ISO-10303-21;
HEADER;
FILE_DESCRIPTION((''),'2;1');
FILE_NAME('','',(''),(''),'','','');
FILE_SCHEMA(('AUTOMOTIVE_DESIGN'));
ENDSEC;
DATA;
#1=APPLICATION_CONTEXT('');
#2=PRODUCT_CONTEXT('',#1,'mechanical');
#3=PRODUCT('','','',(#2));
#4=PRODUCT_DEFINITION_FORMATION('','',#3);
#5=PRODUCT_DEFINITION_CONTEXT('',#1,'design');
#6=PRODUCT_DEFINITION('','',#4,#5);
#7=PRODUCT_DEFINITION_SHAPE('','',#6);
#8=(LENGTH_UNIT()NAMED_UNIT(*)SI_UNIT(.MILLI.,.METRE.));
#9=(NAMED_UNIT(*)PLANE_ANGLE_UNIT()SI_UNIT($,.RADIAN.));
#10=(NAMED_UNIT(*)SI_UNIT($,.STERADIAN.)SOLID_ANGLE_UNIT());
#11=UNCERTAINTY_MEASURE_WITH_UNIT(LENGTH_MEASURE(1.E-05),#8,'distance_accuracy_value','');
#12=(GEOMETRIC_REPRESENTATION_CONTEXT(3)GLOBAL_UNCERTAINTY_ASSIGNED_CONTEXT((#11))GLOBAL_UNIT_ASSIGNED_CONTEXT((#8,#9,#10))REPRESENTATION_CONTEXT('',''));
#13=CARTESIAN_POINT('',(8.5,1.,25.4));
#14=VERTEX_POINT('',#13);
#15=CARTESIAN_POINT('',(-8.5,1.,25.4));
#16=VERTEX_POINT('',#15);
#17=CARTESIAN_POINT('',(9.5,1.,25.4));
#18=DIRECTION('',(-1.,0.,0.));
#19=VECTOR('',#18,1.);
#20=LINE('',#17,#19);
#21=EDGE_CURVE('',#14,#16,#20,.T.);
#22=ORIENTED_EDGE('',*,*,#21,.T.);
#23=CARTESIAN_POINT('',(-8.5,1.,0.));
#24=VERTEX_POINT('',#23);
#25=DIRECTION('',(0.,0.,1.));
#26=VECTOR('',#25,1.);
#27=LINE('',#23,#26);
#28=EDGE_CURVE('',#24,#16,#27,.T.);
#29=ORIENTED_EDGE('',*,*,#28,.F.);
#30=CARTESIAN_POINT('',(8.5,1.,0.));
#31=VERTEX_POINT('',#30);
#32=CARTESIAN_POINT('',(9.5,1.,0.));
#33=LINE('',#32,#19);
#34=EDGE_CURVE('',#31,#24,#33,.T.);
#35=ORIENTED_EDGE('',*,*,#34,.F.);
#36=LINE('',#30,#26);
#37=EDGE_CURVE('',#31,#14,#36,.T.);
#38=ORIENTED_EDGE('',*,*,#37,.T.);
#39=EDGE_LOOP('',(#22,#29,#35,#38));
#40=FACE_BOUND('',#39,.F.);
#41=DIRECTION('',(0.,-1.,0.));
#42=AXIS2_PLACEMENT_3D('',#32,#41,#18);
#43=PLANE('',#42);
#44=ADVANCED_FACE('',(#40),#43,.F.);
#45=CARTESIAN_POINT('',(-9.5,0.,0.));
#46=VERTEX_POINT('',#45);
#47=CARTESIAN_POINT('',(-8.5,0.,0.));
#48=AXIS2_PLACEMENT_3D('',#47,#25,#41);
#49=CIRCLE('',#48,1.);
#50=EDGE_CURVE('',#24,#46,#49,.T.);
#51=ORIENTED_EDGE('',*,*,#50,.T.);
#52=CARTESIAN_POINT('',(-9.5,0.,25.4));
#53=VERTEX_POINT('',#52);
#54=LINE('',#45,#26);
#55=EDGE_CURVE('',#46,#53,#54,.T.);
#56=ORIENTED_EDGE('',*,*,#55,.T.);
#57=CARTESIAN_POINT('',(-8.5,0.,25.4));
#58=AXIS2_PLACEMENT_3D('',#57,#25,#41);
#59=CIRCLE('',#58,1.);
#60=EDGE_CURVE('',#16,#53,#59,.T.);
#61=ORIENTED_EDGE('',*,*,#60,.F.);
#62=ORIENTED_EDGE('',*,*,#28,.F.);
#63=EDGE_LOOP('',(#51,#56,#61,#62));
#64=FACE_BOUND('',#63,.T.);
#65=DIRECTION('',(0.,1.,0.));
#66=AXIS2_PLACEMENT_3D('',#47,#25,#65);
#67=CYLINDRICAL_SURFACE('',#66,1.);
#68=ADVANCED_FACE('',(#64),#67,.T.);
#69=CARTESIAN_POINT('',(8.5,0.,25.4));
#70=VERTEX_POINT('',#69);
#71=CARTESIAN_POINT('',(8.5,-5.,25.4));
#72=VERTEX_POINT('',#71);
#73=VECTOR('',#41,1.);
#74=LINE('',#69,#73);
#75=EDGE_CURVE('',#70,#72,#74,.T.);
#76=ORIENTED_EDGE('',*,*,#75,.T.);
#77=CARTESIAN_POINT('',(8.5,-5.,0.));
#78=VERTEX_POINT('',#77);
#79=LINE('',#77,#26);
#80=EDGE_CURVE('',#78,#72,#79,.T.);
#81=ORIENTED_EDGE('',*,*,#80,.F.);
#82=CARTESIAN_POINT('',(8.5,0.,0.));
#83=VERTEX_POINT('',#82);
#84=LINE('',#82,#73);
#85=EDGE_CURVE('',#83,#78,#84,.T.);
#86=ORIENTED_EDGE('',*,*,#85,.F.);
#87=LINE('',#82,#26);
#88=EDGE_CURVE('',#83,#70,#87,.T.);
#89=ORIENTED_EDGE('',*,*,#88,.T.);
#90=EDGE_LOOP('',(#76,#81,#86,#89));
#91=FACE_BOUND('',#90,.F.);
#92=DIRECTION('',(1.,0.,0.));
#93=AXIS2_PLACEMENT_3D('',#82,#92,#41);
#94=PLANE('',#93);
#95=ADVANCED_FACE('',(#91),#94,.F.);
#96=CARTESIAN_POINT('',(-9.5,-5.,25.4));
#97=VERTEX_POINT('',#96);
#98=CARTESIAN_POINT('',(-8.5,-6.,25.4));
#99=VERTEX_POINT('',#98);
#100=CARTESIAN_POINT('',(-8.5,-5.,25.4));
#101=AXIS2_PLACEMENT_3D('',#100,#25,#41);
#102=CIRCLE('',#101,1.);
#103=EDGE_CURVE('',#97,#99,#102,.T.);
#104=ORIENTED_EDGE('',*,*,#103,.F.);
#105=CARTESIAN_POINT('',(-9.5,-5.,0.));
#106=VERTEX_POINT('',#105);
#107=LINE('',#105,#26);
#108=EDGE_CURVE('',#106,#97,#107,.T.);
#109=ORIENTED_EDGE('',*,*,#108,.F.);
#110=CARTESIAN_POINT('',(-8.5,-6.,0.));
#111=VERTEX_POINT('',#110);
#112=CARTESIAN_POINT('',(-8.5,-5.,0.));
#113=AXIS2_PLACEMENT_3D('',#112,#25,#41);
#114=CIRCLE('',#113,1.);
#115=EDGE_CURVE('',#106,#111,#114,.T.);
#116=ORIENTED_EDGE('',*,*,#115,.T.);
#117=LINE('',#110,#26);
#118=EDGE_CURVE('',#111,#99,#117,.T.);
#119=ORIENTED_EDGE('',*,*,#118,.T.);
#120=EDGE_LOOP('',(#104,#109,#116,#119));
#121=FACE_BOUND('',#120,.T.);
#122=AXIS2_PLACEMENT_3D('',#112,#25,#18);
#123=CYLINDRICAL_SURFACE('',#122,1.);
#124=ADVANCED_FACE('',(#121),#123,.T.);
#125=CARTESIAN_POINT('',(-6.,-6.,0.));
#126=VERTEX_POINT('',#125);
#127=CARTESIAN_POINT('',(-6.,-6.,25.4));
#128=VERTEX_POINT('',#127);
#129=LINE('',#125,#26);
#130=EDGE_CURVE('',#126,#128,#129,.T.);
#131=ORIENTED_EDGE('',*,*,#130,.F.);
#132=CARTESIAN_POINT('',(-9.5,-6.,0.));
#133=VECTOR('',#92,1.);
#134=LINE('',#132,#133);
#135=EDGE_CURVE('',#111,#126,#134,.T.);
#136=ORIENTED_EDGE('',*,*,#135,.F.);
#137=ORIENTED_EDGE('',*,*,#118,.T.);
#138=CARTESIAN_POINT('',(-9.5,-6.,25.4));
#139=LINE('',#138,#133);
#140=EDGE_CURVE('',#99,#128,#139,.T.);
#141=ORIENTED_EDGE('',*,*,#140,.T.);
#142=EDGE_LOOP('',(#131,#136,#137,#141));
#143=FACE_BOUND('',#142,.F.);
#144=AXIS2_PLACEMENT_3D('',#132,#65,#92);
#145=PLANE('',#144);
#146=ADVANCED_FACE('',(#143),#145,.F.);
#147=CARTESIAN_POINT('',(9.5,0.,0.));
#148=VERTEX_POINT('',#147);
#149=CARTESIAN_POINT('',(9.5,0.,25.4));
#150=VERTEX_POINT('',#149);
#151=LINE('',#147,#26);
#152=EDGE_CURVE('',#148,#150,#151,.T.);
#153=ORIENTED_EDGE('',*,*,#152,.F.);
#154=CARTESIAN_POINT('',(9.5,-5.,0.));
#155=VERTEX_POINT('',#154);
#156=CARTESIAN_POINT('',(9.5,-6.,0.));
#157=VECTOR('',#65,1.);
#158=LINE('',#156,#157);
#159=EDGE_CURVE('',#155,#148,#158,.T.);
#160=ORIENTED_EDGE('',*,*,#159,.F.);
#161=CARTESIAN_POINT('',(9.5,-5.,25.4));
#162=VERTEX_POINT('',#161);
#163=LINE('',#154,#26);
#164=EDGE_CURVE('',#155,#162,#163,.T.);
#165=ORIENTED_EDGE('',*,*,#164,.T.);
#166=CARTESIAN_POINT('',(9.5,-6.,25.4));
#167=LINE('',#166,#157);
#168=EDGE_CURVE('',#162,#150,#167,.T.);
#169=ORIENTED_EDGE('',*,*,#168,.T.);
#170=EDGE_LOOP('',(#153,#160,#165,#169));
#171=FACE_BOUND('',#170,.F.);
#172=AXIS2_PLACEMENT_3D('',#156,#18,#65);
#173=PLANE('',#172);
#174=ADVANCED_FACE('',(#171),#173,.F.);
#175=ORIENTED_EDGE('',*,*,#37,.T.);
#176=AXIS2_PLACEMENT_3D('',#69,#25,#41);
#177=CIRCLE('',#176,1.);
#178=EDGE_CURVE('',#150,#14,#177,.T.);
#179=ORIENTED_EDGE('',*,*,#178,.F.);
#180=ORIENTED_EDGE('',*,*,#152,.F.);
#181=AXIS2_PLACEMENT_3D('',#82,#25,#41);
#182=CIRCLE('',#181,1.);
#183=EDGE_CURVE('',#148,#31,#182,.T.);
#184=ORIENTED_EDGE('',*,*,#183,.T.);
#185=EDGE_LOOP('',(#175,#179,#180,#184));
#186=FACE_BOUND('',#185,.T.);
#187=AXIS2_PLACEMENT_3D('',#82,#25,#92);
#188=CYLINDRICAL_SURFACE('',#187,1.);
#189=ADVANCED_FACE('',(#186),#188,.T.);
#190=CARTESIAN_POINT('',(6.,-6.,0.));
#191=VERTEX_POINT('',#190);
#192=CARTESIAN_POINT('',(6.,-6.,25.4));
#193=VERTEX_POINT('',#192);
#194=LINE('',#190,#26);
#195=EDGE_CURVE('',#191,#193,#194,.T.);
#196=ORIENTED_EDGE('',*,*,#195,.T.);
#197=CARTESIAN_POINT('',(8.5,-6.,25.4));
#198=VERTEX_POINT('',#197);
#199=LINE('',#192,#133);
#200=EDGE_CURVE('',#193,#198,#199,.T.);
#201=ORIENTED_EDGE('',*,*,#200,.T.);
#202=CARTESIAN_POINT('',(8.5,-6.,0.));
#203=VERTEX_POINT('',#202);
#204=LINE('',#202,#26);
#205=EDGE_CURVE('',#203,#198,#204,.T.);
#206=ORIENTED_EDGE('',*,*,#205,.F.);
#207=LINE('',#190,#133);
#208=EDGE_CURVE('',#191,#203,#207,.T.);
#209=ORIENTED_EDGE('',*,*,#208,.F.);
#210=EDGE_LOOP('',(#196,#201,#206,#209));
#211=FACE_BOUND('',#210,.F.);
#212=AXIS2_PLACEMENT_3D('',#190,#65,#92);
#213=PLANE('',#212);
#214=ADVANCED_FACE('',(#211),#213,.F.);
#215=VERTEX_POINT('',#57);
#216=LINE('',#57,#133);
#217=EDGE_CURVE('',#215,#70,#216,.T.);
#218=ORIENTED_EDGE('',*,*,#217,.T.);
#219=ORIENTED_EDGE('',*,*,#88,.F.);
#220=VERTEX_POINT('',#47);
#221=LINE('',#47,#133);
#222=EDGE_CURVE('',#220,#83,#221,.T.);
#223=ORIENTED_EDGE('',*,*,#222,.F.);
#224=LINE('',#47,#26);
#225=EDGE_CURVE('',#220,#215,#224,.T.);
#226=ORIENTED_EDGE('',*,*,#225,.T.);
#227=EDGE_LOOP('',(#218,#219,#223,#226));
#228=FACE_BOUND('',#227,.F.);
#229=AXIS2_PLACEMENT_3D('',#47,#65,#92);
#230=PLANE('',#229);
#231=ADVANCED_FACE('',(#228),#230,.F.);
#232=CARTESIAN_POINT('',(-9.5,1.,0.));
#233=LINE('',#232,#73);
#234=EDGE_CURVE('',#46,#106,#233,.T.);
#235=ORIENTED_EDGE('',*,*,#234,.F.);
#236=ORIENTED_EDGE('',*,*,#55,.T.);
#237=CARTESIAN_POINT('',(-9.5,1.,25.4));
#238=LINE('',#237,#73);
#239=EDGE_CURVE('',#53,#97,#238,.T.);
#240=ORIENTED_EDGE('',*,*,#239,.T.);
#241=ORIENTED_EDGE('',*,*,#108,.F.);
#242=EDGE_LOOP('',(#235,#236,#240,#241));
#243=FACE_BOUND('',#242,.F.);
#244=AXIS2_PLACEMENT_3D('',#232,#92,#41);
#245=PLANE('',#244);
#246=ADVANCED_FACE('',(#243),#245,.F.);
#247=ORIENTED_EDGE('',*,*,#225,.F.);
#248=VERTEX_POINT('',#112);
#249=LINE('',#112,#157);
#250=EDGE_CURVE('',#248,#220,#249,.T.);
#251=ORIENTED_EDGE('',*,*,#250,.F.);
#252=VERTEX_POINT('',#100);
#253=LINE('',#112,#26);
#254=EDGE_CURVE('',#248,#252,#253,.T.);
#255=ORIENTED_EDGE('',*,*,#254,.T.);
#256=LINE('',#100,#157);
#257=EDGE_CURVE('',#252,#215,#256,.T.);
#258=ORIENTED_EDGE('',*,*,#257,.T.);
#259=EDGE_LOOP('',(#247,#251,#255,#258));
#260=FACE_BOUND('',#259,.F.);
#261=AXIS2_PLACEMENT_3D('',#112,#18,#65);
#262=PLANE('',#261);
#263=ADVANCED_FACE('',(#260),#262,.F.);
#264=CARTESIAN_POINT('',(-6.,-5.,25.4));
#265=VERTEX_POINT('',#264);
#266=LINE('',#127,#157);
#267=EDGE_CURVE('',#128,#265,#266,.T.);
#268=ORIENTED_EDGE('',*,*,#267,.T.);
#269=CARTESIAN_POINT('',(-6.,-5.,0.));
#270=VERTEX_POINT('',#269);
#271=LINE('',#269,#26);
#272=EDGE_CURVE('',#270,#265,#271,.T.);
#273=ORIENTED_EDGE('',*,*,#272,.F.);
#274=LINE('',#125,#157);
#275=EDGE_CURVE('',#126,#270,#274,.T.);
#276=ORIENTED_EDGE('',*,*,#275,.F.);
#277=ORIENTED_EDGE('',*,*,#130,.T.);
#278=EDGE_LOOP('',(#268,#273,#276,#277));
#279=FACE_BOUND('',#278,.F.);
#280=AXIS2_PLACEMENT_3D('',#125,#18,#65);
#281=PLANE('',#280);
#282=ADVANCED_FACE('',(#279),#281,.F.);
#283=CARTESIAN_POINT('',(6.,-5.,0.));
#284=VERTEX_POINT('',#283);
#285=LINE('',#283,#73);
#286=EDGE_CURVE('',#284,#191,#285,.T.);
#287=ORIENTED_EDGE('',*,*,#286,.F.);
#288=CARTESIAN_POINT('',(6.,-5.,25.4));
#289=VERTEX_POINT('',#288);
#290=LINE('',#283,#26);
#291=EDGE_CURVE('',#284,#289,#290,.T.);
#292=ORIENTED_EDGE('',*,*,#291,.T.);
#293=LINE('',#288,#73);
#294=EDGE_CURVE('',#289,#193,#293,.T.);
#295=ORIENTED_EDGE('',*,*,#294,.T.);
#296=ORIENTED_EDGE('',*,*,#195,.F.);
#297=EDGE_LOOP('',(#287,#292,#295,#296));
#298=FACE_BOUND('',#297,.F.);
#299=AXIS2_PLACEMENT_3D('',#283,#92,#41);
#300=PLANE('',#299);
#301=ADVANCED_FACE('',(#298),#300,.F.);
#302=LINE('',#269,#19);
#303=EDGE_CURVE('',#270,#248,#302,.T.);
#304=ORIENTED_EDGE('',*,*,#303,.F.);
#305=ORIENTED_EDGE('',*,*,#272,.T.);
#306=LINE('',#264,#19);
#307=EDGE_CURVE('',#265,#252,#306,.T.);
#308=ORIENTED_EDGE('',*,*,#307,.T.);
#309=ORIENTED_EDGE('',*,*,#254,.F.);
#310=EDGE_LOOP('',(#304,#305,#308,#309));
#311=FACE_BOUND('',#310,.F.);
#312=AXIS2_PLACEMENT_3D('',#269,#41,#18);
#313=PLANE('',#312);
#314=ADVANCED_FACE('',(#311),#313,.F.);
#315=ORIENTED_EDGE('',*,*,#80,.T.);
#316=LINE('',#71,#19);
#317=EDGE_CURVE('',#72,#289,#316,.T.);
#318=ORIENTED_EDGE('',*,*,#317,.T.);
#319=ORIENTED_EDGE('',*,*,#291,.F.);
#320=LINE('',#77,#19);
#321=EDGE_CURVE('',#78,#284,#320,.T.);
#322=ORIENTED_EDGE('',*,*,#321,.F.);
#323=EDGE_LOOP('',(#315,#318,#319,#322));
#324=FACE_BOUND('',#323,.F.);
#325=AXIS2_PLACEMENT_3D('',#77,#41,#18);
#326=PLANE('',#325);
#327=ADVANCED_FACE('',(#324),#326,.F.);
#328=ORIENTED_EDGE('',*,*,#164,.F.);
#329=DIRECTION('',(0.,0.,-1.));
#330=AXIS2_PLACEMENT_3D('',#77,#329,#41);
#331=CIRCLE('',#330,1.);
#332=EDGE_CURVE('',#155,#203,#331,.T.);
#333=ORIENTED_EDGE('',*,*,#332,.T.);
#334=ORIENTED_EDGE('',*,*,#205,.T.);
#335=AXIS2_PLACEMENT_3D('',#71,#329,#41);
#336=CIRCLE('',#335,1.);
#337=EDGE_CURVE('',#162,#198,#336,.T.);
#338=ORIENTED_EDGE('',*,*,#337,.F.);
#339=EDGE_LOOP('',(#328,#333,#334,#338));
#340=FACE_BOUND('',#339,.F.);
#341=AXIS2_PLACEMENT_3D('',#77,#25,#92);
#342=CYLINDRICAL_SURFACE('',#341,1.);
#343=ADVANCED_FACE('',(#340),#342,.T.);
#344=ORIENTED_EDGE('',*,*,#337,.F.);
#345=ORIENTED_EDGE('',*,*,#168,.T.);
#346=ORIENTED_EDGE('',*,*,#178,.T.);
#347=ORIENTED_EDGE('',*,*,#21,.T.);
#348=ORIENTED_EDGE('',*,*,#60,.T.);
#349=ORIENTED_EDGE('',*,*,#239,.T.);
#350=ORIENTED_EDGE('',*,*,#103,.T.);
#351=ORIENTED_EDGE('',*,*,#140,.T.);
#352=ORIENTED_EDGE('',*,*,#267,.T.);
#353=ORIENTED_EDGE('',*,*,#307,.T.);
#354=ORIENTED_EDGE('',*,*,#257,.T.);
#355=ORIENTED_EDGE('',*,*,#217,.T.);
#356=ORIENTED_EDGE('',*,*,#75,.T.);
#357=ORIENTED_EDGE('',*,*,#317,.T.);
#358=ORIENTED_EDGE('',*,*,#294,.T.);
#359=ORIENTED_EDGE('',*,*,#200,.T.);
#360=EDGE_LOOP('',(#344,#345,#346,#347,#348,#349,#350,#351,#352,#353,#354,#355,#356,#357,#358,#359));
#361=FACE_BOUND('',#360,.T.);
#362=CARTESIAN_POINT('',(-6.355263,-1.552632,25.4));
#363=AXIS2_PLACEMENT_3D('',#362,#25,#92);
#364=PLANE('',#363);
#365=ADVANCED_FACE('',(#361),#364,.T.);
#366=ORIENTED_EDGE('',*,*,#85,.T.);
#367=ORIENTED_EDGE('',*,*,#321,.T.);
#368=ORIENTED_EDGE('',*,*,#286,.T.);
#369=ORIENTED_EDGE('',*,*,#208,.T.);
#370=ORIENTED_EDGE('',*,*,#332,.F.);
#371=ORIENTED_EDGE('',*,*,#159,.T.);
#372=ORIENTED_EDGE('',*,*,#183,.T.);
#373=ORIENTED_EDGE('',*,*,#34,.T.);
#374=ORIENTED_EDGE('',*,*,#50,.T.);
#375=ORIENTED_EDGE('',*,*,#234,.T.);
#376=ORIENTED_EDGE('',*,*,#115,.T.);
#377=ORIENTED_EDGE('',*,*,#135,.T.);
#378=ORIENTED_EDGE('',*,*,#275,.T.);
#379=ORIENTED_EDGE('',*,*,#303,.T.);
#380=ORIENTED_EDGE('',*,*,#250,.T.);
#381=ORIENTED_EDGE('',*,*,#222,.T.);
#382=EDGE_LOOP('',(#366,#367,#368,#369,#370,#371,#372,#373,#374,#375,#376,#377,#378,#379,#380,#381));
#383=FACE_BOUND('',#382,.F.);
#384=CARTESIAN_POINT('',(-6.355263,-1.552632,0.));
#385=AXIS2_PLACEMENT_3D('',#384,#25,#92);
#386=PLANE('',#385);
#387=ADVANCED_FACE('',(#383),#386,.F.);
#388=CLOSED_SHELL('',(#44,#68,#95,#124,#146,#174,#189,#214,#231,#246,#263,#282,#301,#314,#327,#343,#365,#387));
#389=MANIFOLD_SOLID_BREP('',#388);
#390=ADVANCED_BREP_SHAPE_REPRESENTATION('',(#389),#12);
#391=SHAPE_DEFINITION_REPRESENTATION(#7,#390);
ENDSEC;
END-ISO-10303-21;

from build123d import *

# Parameters (mm, degrees)
F1_DEPTH = 25.4
F2_R     = 1
F3_R     = 1


with BuildPart() as f1:
    # F0 (on Top) → F1 (new body)
    with BuildSketch(Plane.XY):
        Polygon((-8.5, 0), (0, 0), (0, 1), (-9.5, 1), (-9.5, -6), (-6, -6), (-6, -5), (-8.5, -5), align=None)
        Polygon((0, 1), (0, 0), (8.5, 0), (8.5, -5), (6, -5), (6, -6), (9.5, -6), (9.5, 1), align=None)
    extrude(amount=F1_DEPTH)

    # F2
    f2_edges = [f1.edges().sort_by_distance(p)[0] for p in [
        (-9.5, 1, 12.7),
        (9.5, 1, 12.7),
    ]]
    fillet(f2_edges, radius=F2_R)

    # F3
    f3_edges = [f1.edges().sort_by_distance(p)[0] for p in [
        (-9.5, -6, 12.7),
        (9.5, -6, 12.7),
    ]]
    fillet(f3_edges, radius=F3_R)


solid = f1.part
